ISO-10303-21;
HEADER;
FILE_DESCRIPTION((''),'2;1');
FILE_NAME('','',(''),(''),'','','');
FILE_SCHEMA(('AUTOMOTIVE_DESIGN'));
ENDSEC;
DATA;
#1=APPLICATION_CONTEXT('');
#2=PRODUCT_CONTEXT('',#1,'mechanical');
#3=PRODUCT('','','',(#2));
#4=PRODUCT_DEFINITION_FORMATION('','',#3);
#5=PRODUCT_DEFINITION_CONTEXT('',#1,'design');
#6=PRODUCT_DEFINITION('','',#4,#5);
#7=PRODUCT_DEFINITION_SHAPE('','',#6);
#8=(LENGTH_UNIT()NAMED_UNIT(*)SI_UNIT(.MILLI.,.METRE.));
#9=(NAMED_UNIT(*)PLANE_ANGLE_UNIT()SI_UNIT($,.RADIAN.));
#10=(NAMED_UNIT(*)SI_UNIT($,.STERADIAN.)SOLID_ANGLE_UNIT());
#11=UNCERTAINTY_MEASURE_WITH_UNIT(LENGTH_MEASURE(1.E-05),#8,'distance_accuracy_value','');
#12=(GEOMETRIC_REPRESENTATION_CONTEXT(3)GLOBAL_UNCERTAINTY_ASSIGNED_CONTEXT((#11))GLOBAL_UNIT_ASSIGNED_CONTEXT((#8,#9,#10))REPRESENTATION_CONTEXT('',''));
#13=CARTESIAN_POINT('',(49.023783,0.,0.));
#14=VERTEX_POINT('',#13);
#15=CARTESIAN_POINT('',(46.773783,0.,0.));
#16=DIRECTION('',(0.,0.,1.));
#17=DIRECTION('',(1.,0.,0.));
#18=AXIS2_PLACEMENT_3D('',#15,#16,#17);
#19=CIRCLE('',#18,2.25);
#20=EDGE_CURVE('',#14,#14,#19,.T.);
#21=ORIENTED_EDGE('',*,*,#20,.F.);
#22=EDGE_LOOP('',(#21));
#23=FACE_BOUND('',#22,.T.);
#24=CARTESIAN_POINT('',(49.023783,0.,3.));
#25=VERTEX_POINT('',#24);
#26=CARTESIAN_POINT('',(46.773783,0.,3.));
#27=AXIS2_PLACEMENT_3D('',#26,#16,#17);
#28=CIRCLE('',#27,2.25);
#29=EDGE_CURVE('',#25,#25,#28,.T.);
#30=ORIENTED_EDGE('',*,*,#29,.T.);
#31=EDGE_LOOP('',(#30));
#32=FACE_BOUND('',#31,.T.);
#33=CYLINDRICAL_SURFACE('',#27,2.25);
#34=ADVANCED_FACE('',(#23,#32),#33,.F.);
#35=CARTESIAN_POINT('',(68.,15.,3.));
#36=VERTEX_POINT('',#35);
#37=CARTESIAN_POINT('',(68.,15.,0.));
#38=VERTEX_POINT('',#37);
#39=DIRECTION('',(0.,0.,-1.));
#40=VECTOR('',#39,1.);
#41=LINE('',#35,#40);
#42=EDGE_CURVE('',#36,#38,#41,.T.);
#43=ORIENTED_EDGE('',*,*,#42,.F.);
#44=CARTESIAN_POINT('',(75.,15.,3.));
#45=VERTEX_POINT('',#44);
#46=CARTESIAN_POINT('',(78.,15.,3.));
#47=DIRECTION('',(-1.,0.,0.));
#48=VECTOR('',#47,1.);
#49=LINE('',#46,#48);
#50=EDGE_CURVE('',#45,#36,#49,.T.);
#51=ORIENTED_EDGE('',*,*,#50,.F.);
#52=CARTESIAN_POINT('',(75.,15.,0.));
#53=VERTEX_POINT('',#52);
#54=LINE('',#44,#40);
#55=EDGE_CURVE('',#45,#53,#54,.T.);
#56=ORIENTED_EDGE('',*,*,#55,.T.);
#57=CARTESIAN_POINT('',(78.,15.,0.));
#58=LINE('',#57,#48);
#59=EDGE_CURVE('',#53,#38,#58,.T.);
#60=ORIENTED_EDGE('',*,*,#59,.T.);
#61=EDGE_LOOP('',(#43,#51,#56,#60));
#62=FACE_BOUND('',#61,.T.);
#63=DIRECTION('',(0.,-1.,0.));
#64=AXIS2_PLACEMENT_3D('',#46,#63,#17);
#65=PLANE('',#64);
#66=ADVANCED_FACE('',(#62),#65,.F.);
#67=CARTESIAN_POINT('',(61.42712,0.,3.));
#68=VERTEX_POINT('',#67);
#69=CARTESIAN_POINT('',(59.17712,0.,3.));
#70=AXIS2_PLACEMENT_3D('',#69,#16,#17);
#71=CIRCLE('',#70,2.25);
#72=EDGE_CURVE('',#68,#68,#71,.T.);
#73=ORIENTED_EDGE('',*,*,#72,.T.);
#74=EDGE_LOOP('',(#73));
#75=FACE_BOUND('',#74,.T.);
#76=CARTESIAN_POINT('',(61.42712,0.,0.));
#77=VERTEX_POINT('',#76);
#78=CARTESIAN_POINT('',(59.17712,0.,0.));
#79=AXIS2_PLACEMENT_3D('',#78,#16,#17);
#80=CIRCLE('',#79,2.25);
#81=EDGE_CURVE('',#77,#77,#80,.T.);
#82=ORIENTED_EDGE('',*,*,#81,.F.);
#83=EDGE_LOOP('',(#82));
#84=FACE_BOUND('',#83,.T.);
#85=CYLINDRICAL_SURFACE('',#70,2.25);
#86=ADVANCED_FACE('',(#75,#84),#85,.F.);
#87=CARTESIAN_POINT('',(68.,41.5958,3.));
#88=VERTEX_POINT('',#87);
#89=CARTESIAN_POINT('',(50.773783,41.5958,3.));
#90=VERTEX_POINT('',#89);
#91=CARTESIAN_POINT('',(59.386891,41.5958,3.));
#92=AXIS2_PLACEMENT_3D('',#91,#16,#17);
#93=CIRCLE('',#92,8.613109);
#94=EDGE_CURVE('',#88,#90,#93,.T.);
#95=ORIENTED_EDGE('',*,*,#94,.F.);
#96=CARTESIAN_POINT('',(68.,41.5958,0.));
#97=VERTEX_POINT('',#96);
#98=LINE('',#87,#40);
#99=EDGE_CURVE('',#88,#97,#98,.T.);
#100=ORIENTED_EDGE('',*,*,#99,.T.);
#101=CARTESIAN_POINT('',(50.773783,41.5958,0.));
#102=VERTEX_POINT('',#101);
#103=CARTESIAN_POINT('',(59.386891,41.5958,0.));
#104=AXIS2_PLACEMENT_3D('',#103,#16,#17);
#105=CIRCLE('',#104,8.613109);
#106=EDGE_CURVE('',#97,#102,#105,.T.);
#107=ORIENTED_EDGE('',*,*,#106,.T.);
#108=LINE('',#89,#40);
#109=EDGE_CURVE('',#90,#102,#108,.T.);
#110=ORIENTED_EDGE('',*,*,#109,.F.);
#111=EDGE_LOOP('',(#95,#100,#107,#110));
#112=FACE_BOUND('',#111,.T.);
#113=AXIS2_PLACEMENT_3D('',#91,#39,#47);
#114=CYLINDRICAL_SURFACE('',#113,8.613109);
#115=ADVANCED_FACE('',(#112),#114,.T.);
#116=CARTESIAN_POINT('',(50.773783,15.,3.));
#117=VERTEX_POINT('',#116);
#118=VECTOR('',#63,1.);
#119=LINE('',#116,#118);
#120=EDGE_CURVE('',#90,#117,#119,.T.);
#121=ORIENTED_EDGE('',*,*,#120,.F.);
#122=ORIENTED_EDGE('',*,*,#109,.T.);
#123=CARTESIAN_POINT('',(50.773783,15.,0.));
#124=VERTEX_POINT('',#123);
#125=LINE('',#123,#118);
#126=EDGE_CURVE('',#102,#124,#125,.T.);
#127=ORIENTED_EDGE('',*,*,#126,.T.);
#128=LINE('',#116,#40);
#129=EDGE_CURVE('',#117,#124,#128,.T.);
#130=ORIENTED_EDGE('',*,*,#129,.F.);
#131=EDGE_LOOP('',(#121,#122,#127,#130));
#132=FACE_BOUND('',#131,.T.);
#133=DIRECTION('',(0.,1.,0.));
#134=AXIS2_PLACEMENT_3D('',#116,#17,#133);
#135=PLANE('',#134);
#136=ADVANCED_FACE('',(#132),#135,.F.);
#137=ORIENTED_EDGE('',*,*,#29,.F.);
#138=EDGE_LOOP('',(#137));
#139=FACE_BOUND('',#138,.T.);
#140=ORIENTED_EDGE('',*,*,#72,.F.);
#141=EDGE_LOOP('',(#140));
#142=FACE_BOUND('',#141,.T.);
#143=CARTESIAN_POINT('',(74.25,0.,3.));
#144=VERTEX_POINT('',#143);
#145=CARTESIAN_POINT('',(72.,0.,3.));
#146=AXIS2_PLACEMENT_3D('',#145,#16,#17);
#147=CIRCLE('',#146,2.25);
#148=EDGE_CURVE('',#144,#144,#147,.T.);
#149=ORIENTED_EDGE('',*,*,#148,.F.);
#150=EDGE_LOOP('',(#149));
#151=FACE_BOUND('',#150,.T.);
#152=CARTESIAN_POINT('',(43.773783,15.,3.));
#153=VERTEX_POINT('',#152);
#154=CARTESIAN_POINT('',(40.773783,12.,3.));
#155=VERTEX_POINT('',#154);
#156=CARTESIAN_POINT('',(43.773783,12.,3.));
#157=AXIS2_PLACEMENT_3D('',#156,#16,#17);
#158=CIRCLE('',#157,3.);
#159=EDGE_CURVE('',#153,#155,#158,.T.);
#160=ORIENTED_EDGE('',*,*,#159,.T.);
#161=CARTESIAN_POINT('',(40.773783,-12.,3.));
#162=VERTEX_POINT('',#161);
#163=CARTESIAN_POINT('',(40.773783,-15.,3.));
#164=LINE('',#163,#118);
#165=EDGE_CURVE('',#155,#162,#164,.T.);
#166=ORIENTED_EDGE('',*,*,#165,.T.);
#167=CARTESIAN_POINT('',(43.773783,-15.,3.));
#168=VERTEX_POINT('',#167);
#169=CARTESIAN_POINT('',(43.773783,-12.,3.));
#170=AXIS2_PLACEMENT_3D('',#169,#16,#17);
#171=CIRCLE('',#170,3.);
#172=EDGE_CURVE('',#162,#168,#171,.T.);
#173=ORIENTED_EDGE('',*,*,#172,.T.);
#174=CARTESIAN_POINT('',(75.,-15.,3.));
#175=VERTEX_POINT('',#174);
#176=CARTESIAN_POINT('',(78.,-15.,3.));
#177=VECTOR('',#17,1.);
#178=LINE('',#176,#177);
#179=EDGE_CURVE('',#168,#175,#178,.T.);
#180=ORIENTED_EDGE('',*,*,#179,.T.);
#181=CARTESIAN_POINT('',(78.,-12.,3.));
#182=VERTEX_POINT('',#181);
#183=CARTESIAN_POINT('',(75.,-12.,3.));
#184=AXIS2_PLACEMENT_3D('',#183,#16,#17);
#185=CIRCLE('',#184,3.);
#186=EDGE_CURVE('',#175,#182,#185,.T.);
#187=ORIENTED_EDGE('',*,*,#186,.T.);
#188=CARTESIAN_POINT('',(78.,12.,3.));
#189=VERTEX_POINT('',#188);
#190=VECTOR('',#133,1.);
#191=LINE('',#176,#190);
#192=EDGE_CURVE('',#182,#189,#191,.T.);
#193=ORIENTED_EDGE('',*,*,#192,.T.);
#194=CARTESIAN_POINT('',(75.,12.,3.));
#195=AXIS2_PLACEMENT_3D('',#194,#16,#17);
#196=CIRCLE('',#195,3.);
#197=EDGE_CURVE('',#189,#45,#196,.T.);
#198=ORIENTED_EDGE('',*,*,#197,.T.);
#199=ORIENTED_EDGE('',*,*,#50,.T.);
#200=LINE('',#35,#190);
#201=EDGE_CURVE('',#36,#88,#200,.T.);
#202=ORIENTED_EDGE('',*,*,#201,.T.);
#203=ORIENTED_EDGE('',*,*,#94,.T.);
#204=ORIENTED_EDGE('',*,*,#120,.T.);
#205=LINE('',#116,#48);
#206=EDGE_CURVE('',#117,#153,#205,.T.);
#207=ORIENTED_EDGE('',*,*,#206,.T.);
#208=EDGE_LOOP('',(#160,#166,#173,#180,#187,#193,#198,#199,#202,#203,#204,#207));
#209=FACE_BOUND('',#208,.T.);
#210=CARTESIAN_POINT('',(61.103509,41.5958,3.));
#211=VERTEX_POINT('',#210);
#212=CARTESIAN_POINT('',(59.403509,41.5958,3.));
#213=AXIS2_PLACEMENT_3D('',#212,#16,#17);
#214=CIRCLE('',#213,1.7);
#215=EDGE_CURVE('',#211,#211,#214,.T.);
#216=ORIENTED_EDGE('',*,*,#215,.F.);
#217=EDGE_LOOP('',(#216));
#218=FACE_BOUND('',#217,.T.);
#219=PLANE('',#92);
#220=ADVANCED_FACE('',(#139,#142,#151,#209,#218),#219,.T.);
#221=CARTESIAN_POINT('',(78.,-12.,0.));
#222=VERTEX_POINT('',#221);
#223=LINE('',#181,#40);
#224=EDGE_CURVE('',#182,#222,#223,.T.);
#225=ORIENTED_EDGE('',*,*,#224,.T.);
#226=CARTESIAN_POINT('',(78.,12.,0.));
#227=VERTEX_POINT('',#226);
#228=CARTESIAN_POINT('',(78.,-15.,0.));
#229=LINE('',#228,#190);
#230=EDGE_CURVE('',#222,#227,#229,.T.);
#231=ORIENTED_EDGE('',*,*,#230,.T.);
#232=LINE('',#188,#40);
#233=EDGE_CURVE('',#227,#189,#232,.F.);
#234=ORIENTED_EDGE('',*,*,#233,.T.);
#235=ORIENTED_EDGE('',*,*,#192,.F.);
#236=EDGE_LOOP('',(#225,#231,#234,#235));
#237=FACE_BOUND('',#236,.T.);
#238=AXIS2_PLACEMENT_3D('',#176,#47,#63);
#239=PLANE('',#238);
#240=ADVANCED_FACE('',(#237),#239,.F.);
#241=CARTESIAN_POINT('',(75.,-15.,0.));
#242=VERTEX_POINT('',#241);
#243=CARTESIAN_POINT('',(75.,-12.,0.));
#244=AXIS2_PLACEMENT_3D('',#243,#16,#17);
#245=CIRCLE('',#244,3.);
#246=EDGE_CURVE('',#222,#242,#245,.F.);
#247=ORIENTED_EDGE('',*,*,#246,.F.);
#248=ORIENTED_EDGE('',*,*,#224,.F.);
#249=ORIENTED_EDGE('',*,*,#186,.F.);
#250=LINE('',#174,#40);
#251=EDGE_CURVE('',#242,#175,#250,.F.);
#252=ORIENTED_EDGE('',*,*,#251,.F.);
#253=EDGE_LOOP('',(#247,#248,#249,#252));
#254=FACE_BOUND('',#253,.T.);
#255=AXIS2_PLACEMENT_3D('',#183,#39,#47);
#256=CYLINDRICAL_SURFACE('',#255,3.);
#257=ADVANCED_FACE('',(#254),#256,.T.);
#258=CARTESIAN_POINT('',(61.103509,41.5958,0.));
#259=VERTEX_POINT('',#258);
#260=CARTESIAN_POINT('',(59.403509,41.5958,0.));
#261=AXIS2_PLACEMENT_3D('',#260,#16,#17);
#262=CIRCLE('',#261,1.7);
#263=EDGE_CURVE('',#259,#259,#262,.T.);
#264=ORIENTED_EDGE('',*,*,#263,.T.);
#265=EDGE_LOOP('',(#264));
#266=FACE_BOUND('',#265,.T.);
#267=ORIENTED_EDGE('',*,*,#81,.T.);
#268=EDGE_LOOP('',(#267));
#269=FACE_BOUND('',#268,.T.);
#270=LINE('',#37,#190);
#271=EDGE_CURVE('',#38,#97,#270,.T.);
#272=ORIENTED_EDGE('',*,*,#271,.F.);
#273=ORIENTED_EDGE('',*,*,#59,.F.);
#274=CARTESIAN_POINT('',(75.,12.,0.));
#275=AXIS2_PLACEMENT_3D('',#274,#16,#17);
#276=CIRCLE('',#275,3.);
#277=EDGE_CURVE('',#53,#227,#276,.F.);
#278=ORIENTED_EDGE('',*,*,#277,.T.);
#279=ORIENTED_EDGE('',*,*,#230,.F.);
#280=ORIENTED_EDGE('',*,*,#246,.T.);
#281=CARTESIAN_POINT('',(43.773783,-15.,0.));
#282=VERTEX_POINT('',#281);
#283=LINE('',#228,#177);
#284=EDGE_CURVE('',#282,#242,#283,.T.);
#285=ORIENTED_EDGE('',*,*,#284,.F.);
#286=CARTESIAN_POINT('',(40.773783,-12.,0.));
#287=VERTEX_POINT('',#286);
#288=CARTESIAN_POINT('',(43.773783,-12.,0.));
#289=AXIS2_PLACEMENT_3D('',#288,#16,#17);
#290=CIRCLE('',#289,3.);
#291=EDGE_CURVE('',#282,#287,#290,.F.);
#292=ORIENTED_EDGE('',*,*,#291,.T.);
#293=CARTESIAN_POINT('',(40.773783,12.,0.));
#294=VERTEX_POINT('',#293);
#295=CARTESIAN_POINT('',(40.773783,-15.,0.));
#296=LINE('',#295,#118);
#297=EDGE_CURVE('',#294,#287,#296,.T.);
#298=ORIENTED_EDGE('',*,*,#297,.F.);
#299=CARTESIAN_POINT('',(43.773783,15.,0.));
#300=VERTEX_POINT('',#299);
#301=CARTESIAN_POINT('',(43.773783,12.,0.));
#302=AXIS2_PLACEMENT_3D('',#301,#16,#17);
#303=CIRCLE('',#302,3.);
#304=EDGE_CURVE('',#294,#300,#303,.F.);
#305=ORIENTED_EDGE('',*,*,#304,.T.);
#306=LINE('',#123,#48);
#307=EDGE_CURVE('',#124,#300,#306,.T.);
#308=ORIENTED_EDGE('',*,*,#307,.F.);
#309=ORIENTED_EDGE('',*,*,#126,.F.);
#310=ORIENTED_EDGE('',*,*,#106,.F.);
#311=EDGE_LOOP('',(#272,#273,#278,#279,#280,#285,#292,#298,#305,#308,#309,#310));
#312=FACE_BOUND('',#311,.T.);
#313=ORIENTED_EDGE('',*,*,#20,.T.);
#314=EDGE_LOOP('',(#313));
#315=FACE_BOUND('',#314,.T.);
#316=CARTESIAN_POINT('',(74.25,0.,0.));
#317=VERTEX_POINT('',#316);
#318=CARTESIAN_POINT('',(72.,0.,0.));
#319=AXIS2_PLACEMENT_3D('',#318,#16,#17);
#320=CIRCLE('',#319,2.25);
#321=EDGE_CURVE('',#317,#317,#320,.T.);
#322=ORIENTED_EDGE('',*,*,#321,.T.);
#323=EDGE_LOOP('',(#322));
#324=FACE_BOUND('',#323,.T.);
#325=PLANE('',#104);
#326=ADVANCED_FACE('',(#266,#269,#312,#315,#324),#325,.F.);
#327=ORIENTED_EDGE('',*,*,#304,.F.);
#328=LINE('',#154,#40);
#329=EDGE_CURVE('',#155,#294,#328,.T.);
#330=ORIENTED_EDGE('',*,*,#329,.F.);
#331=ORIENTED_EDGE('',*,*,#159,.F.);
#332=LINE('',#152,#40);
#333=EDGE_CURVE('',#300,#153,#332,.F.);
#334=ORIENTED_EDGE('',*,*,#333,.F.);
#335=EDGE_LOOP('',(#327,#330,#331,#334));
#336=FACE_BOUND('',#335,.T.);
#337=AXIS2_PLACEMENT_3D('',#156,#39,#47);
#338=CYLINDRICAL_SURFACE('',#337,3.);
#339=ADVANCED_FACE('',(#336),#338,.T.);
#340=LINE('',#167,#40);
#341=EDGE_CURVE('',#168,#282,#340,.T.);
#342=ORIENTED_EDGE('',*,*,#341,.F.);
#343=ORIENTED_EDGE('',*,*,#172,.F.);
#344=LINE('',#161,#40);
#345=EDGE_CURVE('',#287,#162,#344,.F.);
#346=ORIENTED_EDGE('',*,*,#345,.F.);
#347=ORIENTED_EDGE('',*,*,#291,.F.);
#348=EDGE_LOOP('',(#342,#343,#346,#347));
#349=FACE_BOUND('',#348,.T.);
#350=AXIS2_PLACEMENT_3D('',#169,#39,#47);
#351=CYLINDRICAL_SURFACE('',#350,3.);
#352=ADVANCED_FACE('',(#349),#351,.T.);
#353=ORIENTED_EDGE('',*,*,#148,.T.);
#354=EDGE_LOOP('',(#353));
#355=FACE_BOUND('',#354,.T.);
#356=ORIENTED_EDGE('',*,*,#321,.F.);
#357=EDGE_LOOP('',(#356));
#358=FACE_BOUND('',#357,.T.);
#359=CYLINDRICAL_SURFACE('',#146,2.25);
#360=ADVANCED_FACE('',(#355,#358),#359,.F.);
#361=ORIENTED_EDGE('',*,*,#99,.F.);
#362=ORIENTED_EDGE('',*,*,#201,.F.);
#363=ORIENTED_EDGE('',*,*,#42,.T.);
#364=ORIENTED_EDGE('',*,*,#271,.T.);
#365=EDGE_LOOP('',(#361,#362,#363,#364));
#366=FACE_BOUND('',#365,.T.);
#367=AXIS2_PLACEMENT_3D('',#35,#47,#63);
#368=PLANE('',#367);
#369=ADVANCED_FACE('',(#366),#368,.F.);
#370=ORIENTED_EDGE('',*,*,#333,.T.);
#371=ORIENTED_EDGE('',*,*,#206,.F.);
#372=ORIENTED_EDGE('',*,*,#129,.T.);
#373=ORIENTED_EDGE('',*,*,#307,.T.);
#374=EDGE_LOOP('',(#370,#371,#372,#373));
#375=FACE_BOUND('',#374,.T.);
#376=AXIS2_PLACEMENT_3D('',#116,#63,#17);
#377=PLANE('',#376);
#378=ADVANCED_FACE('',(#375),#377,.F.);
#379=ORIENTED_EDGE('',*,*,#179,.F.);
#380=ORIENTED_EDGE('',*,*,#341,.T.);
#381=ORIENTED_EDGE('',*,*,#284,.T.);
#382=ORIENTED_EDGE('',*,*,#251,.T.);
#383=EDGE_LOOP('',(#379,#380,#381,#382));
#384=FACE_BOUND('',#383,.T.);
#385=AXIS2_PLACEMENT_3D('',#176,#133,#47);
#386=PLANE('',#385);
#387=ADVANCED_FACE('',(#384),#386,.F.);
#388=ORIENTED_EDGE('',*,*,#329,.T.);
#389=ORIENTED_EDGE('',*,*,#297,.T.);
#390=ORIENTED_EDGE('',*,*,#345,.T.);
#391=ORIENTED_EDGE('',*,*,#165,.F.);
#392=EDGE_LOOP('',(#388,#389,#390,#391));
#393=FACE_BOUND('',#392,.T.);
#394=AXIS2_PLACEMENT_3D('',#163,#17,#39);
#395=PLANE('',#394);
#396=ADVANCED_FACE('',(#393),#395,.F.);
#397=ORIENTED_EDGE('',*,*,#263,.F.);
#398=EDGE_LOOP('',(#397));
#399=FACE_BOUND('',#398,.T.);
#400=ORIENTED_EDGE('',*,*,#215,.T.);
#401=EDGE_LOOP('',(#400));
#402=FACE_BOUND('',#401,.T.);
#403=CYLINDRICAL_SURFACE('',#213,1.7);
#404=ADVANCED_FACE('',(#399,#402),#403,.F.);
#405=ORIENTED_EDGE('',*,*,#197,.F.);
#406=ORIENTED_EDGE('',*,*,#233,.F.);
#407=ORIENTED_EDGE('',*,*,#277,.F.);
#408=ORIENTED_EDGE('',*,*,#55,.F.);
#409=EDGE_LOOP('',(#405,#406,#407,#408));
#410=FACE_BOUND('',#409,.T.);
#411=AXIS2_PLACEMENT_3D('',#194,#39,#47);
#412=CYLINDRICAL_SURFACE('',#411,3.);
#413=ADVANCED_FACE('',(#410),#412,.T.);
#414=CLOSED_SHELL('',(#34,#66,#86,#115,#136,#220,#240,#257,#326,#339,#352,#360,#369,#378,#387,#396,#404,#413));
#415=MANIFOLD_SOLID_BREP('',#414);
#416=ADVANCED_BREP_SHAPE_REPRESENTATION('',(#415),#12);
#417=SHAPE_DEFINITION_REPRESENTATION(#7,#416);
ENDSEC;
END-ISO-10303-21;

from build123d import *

# Parameters (mm, degrees)
BOSS_EXTRUDE1_DEPTH  = 3
M3_CLEARANCE_HOLE1_D = 3.4
M4_CLEARANCE_HOLE1_D = 4.5
FILLET1_R            = 3


with BuildPart() as part:
    # Sketch1 → Boss-Extrude1 (new body)
    with BuildSketch(Plane.XY):
        with BuildLine():
            Line((50.773782993, 15), (50.773782993, 41.5958))
            ThreePointArc((50.773782993, 41.5958), (59.386891497, 50.208908503), (68, 41.5958))
            Line((68, 41.5958), (68, 15))
            Line((68, 15), (78, 15))
            Line((78, 15), (78, -15))
            Line((78, -15), (40.773782993, -15))
            Line((40.773782993, -15), (40.773782993, 15))
            Line((40.773782993, 15), (50.773782993, 15))
        make_face()
    extrude(amount=BOSS_EXTRUDE1_DEPTH)

    # M3 Clearance Hole1 (through all)
    with Locations(Plane.XY.offset(3)):
        with Locations((59.40350934, 41.5958)):
            Hole(M3_CLEARANCE_HOLE1_D / 2)

    # M4 Clearance Hole1 (through all)
    with Locations(Plane.XY.offset(3)):
        with Locations((46.773782993, 0), (72, 0), (59.177120078, 0)):
            Hole(M4_CLEARANCE_HOLE1_D / 2)

    # Fillet1
    fillet1_edges = [part.edges().sort_by_distance(p)[0] for p in [
        (78, -15, 1.5),
        (40.773782993, -15, 1.5),
        (40.773782993, 15, 1.5),
        (78, 15, 1.5),
    ]]
    fillet(fillet1_edges, radius=FILLET1_R)


solid = part.part
